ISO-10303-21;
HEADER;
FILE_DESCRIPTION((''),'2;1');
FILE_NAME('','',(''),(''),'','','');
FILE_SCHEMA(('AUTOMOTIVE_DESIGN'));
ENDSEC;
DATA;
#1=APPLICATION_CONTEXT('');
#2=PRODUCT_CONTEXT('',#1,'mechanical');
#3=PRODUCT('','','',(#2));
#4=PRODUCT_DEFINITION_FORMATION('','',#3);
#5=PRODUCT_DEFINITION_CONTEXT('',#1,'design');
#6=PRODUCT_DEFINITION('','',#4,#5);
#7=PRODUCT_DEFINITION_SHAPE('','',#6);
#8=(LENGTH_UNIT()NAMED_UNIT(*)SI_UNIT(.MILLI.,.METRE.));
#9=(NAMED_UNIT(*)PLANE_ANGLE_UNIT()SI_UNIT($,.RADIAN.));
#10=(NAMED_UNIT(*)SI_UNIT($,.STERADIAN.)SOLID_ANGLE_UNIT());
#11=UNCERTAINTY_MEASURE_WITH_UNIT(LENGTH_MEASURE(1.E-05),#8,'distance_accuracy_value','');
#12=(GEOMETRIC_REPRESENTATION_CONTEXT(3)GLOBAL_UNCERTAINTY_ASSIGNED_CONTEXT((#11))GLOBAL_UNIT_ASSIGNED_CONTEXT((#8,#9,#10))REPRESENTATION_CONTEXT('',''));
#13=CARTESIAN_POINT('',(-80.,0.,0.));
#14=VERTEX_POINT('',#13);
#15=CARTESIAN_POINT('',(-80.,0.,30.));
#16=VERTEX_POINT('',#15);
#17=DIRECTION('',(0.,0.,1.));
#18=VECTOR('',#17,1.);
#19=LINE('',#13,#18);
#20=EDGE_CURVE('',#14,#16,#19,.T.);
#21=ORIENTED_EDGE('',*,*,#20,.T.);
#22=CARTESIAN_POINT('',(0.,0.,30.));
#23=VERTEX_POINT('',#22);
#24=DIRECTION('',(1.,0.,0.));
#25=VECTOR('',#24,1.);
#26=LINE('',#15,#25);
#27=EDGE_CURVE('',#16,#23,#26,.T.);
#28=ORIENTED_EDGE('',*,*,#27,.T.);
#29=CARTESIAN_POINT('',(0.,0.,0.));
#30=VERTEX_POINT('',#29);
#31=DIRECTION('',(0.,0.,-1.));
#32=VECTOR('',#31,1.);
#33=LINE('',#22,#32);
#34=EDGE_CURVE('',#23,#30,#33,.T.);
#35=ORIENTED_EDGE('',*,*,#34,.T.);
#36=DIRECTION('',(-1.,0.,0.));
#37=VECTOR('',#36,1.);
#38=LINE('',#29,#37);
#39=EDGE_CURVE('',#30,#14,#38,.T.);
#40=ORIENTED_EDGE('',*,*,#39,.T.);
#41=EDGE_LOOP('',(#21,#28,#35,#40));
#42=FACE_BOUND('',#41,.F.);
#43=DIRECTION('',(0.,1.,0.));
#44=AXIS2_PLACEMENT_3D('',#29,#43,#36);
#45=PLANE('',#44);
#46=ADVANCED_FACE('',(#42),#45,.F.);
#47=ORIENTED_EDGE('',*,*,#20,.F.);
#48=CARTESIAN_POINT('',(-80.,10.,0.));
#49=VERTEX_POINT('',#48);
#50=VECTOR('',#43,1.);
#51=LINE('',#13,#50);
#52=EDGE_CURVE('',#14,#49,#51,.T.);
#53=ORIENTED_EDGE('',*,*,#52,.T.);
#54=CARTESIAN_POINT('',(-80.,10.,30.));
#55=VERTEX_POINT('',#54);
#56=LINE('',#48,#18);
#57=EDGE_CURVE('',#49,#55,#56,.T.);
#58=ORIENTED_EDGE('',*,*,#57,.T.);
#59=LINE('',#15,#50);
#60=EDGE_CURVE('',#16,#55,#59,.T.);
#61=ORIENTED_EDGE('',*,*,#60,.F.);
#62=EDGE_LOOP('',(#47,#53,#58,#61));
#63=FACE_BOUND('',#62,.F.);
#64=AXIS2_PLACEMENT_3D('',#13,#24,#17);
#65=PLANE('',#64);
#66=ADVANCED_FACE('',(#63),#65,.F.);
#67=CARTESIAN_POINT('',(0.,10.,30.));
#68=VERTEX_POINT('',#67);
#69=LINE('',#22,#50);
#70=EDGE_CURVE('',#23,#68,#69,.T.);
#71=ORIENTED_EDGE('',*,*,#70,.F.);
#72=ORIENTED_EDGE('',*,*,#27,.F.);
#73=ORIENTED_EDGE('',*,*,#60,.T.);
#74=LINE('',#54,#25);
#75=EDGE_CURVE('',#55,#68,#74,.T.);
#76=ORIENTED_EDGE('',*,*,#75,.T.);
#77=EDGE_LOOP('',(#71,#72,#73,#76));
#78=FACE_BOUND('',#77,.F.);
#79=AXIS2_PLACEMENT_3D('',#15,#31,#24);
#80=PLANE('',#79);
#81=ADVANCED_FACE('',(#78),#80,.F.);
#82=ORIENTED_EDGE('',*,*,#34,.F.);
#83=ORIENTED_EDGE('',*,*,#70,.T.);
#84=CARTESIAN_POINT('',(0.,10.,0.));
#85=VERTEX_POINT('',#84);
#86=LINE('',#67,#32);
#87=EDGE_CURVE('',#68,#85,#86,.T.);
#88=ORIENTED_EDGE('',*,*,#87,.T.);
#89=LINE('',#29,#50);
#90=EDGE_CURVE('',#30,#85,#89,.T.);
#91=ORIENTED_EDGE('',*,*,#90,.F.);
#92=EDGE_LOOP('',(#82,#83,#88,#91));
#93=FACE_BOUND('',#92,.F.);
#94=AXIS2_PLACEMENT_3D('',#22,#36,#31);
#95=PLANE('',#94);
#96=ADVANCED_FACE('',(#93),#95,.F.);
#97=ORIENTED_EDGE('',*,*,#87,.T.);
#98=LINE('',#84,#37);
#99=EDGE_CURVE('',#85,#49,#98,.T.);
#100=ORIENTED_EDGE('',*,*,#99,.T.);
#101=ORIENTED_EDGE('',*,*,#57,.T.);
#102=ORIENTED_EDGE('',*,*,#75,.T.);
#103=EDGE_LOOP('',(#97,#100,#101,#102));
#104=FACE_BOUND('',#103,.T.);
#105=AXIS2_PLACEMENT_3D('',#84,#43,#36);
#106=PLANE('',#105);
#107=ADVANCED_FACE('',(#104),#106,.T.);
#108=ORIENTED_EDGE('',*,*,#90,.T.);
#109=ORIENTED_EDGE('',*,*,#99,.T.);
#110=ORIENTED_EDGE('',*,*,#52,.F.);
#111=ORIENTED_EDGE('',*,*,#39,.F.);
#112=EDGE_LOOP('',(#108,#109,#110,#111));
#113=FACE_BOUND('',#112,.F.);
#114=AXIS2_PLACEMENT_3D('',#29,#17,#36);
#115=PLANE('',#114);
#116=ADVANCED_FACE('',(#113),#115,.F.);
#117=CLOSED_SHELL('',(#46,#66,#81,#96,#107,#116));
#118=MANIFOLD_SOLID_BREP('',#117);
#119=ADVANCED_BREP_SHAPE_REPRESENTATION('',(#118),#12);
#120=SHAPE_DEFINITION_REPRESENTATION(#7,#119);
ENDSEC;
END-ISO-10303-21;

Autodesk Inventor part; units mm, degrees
ref_plane "YZ Plane" through (0, 0, 0) normal (1, 0, 0) x (0, 1, 0)
ref_plane "XZ Plane" through (0, 0, 0) normal (0, 1, 0) x (-1, 0, 0)
ref_plane "XY Plane" through (0, 0, 0) normal (0, 0, 1) x (1, 0, 0)
sketch "Sketch1" plane through (0, 0, 0) normal (0, 1, 0) x (-1, 0, 0)
  line L0 (0, 0) -> (80, 0)
  line L1 (80, 0) -> (80, 30)
  line L2 (80, 30) -> (0, 30)
  line L3 (0, 30) -> (0, 0)
  dimension "d0" = 80
  dimension "d1" = 30
extrude "Extrusion1" add sketch "Sketch1" along normal blind 10
